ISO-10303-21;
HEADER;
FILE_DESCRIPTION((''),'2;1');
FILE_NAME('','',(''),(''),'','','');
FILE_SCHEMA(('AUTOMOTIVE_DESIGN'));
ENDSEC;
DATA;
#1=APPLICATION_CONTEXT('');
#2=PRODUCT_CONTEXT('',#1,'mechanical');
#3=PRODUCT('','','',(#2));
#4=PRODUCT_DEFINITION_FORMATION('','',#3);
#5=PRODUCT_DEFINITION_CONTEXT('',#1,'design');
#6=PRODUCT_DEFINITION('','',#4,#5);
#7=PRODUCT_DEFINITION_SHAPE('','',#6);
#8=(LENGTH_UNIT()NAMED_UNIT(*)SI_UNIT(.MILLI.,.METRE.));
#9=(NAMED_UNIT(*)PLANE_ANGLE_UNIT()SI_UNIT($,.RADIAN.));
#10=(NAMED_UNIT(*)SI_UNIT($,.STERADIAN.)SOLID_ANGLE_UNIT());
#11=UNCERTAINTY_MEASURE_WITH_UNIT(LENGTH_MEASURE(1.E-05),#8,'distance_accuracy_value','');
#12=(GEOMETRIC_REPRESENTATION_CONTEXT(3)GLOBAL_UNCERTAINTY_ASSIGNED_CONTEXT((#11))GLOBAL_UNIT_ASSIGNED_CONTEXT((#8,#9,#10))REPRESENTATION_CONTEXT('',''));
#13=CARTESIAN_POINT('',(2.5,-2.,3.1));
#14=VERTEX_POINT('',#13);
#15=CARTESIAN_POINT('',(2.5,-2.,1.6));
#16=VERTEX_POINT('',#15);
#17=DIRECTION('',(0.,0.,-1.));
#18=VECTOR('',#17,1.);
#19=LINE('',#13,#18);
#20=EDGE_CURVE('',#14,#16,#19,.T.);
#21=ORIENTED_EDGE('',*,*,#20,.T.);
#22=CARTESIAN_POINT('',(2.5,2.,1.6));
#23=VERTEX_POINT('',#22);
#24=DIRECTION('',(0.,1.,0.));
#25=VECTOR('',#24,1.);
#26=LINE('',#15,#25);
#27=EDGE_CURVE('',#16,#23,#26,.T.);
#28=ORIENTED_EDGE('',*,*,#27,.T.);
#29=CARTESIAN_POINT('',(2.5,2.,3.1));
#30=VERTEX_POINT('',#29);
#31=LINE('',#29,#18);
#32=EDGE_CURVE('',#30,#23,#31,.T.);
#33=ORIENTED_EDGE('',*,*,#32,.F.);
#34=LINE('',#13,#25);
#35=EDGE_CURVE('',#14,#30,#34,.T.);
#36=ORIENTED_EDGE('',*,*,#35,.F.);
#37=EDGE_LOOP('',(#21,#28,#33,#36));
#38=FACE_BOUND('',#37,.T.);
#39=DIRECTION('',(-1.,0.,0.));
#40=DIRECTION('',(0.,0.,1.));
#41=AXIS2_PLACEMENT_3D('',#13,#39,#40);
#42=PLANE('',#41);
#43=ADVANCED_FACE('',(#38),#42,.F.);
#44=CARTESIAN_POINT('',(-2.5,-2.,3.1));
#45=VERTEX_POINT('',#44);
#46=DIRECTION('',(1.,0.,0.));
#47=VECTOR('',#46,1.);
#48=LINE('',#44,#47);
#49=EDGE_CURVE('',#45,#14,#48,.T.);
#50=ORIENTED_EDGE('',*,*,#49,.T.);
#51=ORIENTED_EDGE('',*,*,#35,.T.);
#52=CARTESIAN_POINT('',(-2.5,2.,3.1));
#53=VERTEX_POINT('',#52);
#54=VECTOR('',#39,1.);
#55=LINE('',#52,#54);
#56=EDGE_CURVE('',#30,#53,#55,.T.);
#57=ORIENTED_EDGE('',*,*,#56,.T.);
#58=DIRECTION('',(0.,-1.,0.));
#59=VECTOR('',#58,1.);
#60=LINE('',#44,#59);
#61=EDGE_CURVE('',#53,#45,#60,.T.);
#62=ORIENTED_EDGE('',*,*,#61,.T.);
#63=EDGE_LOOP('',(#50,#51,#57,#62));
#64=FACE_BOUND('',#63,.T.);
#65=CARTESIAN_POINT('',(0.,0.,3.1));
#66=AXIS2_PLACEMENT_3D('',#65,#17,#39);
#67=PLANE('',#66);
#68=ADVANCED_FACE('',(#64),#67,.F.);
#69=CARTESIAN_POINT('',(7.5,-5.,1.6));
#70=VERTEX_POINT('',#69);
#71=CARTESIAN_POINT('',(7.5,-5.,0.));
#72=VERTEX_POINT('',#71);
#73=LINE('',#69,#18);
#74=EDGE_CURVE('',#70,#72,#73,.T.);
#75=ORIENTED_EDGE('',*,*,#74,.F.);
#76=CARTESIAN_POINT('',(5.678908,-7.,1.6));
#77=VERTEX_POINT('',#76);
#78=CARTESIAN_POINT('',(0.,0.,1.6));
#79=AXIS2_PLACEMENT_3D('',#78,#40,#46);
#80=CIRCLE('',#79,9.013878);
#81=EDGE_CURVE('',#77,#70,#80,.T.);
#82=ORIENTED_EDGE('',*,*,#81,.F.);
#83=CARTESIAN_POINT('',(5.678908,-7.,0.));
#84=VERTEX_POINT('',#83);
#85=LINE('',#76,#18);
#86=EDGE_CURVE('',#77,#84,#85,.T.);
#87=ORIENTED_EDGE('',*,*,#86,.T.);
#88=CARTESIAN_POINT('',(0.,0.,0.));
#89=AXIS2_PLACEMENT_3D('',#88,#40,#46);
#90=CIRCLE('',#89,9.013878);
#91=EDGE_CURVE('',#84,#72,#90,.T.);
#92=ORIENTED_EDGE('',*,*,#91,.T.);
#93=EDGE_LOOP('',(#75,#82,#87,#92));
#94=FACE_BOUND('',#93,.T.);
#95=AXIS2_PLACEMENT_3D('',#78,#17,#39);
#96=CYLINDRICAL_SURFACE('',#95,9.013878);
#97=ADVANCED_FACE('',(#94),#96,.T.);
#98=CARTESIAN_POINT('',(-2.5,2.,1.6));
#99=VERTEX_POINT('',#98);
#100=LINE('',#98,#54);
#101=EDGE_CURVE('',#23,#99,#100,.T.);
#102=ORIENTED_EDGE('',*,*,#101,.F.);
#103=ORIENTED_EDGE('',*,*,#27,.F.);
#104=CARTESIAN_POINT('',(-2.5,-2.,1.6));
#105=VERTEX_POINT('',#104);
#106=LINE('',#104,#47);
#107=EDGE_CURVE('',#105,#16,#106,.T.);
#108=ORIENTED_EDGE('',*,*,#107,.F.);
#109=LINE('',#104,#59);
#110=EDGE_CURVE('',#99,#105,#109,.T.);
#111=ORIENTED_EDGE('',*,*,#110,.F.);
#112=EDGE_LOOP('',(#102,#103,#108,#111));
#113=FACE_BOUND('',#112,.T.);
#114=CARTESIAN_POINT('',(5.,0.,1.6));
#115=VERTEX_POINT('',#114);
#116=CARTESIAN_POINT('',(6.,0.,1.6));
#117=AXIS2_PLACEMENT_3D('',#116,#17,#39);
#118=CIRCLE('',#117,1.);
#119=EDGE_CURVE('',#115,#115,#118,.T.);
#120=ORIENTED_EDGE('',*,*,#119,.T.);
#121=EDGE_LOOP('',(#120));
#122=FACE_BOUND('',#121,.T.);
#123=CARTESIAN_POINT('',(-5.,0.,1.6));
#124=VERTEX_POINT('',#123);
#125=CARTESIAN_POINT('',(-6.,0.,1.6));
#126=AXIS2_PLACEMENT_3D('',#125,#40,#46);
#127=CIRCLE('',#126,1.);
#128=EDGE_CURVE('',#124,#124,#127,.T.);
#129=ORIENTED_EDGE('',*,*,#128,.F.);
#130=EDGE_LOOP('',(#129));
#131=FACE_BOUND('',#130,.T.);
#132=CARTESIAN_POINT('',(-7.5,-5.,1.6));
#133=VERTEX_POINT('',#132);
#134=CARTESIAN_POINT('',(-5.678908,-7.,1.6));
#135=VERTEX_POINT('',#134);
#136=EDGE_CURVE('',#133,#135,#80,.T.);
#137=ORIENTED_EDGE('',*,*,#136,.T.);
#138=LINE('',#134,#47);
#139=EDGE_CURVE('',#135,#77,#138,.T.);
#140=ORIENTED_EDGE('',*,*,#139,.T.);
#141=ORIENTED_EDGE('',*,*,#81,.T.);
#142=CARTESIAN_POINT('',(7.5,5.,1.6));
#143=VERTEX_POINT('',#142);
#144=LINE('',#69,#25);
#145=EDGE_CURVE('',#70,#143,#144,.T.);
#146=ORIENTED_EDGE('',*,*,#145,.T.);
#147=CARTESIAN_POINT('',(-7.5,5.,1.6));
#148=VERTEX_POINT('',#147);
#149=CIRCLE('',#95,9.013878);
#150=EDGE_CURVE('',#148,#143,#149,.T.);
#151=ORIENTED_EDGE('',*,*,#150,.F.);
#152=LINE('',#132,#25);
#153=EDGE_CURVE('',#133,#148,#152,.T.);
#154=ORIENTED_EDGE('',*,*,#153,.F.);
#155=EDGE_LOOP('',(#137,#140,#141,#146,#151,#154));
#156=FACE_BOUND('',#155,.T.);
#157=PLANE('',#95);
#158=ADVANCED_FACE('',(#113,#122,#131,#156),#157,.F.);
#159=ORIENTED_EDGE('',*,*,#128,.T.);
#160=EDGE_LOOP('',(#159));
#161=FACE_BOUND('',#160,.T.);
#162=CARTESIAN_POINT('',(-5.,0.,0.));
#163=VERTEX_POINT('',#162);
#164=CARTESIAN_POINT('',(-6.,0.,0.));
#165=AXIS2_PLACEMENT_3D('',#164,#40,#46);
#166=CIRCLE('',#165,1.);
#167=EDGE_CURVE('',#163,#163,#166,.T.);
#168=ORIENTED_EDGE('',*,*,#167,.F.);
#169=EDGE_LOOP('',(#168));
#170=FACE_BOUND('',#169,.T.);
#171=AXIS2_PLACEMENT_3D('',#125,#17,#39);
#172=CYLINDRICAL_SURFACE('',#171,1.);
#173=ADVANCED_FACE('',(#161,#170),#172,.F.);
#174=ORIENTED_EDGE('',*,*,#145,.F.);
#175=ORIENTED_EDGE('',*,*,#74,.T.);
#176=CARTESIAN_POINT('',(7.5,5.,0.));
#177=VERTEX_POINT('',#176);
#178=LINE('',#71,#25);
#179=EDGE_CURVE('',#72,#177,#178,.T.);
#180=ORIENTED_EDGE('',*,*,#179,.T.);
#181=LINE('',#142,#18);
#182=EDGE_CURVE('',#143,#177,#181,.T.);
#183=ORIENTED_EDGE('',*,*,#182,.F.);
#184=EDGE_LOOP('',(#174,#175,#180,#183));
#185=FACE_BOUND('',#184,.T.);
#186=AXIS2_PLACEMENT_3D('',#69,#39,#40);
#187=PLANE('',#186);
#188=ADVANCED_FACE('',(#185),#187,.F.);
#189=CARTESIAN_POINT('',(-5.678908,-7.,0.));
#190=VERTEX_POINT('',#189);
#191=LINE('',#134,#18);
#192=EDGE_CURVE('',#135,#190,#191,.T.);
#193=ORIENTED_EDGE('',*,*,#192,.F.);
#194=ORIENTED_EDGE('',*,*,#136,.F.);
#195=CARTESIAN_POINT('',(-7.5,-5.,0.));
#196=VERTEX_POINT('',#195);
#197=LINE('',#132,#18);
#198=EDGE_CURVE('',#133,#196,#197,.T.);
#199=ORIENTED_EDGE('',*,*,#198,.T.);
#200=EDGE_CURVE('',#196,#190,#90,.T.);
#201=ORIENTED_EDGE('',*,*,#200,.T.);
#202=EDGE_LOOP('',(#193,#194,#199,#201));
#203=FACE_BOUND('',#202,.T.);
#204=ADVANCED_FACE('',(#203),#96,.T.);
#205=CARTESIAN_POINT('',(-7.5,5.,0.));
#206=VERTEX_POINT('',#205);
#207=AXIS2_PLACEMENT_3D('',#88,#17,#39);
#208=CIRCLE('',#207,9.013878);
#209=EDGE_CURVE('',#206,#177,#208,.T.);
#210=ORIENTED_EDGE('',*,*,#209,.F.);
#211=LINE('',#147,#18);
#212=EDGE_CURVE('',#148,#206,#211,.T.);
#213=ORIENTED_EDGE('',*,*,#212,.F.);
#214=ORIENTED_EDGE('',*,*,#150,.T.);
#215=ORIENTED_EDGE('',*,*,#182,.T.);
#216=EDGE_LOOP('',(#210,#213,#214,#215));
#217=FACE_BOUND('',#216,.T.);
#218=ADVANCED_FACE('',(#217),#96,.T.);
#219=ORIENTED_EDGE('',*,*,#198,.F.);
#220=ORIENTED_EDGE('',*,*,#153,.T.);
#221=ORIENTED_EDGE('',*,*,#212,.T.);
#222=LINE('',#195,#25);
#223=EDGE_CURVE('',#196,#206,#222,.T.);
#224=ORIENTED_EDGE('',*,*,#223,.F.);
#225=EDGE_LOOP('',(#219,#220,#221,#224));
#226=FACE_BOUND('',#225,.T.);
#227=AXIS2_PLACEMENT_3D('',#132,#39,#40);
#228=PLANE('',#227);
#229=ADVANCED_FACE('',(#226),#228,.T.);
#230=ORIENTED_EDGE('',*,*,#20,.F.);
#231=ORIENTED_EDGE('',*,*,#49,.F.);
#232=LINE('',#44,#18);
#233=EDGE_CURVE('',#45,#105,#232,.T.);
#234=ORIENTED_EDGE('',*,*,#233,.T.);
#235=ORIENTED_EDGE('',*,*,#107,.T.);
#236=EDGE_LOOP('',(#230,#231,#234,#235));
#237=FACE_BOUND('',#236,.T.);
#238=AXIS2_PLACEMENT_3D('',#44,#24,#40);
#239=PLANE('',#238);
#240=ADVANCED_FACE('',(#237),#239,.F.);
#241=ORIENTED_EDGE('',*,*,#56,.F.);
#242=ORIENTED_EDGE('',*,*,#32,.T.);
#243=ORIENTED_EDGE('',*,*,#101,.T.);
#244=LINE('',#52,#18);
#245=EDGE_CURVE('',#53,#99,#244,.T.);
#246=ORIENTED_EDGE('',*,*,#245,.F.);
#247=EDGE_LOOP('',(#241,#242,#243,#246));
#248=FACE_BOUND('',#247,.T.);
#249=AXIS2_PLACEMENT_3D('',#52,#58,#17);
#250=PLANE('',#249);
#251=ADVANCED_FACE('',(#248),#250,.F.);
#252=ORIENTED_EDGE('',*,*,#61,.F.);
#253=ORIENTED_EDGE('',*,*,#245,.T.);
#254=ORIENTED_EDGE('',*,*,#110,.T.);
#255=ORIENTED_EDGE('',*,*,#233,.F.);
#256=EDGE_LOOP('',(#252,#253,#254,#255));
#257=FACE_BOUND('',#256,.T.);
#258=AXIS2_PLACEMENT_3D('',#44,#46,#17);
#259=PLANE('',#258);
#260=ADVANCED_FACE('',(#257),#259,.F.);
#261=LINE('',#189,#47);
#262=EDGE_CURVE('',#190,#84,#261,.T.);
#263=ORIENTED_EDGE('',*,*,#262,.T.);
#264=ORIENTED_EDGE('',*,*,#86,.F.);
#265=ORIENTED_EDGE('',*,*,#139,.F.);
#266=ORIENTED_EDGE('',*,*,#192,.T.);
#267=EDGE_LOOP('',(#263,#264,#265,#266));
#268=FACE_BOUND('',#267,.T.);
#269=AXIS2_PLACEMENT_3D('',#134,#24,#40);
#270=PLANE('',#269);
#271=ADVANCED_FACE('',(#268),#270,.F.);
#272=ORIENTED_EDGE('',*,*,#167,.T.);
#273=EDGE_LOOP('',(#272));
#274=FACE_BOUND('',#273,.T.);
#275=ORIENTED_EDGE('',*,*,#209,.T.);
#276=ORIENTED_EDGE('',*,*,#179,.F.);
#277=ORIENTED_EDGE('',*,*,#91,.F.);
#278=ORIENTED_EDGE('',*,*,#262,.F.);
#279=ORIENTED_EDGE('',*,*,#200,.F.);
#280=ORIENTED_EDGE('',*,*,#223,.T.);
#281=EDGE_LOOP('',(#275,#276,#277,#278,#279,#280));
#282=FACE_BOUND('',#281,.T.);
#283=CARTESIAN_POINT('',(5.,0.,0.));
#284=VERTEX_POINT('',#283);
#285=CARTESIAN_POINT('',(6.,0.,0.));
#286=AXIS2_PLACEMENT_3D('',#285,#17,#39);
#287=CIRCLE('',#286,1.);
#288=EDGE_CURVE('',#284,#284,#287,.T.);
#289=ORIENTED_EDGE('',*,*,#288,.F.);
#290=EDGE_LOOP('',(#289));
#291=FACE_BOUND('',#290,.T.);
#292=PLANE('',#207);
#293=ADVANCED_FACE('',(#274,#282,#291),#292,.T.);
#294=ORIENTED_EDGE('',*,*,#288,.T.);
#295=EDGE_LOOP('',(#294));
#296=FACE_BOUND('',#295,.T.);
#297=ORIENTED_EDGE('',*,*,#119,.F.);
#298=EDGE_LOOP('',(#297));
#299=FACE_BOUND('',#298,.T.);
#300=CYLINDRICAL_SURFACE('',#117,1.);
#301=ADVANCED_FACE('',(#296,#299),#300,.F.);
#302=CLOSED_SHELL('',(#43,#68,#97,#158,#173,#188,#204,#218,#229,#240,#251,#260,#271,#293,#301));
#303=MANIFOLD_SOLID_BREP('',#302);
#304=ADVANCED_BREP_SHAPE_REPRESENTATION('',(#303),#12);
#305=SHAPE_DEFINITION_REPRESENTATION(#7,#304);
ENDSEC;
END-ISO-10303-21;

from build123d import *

# Parameters (mm, degrees)
SKETCH1_R           = 1
BOSS_EXTRUDE1_DEPTH = 1.6
SKETCH2_W           = 5
SKETCH2_H           = 4
BOSS_EXTRUDE2_DEPTH = 1.5


with BuildPart() as part:
    # Sketch1 → Boss-Extrude1 (new body)
    with BuildSketch(Plane.XY):
        with BuildLine():
            Line((-5.678908346, -7), (5.678908346, -7))
            ThreePointArc((5.678908346, -7), (6.664901072, -6.068697859), (7.5, -5))
            Line((7.5, -5), (7.5, 5))
            ThreePointArc((7.5, 5), (0, 9.013878189), (-7.5, 5))
            Line((-7.5, 5), (-7.5, -5))
            ThreePointArc((-7.5, -5), (-6.664901072, -6.068697859), (-5.678908346, -7))
        make_face()
        with Locations((-6, 0)):
            Circle(SKETCH1_R, mode=Mode.SUBTRACT)
        with Locations((6, 0)):
            Circle(SKETCH1_R, mode=Mode.SUBTRACT)
    extrude(amount=BOSS_EXTRUDE1_DEPTH)

    # Sketch2 → Boss-Extrude2 (add)
    with BuildSketch(Plane.XY.offset(1.6)):
        Rectangle(SKETCH2_W, SKETCH2_H)
    extrude(amount=BOSS_EXTRUDE2_DEPTH)


solid = part.part
